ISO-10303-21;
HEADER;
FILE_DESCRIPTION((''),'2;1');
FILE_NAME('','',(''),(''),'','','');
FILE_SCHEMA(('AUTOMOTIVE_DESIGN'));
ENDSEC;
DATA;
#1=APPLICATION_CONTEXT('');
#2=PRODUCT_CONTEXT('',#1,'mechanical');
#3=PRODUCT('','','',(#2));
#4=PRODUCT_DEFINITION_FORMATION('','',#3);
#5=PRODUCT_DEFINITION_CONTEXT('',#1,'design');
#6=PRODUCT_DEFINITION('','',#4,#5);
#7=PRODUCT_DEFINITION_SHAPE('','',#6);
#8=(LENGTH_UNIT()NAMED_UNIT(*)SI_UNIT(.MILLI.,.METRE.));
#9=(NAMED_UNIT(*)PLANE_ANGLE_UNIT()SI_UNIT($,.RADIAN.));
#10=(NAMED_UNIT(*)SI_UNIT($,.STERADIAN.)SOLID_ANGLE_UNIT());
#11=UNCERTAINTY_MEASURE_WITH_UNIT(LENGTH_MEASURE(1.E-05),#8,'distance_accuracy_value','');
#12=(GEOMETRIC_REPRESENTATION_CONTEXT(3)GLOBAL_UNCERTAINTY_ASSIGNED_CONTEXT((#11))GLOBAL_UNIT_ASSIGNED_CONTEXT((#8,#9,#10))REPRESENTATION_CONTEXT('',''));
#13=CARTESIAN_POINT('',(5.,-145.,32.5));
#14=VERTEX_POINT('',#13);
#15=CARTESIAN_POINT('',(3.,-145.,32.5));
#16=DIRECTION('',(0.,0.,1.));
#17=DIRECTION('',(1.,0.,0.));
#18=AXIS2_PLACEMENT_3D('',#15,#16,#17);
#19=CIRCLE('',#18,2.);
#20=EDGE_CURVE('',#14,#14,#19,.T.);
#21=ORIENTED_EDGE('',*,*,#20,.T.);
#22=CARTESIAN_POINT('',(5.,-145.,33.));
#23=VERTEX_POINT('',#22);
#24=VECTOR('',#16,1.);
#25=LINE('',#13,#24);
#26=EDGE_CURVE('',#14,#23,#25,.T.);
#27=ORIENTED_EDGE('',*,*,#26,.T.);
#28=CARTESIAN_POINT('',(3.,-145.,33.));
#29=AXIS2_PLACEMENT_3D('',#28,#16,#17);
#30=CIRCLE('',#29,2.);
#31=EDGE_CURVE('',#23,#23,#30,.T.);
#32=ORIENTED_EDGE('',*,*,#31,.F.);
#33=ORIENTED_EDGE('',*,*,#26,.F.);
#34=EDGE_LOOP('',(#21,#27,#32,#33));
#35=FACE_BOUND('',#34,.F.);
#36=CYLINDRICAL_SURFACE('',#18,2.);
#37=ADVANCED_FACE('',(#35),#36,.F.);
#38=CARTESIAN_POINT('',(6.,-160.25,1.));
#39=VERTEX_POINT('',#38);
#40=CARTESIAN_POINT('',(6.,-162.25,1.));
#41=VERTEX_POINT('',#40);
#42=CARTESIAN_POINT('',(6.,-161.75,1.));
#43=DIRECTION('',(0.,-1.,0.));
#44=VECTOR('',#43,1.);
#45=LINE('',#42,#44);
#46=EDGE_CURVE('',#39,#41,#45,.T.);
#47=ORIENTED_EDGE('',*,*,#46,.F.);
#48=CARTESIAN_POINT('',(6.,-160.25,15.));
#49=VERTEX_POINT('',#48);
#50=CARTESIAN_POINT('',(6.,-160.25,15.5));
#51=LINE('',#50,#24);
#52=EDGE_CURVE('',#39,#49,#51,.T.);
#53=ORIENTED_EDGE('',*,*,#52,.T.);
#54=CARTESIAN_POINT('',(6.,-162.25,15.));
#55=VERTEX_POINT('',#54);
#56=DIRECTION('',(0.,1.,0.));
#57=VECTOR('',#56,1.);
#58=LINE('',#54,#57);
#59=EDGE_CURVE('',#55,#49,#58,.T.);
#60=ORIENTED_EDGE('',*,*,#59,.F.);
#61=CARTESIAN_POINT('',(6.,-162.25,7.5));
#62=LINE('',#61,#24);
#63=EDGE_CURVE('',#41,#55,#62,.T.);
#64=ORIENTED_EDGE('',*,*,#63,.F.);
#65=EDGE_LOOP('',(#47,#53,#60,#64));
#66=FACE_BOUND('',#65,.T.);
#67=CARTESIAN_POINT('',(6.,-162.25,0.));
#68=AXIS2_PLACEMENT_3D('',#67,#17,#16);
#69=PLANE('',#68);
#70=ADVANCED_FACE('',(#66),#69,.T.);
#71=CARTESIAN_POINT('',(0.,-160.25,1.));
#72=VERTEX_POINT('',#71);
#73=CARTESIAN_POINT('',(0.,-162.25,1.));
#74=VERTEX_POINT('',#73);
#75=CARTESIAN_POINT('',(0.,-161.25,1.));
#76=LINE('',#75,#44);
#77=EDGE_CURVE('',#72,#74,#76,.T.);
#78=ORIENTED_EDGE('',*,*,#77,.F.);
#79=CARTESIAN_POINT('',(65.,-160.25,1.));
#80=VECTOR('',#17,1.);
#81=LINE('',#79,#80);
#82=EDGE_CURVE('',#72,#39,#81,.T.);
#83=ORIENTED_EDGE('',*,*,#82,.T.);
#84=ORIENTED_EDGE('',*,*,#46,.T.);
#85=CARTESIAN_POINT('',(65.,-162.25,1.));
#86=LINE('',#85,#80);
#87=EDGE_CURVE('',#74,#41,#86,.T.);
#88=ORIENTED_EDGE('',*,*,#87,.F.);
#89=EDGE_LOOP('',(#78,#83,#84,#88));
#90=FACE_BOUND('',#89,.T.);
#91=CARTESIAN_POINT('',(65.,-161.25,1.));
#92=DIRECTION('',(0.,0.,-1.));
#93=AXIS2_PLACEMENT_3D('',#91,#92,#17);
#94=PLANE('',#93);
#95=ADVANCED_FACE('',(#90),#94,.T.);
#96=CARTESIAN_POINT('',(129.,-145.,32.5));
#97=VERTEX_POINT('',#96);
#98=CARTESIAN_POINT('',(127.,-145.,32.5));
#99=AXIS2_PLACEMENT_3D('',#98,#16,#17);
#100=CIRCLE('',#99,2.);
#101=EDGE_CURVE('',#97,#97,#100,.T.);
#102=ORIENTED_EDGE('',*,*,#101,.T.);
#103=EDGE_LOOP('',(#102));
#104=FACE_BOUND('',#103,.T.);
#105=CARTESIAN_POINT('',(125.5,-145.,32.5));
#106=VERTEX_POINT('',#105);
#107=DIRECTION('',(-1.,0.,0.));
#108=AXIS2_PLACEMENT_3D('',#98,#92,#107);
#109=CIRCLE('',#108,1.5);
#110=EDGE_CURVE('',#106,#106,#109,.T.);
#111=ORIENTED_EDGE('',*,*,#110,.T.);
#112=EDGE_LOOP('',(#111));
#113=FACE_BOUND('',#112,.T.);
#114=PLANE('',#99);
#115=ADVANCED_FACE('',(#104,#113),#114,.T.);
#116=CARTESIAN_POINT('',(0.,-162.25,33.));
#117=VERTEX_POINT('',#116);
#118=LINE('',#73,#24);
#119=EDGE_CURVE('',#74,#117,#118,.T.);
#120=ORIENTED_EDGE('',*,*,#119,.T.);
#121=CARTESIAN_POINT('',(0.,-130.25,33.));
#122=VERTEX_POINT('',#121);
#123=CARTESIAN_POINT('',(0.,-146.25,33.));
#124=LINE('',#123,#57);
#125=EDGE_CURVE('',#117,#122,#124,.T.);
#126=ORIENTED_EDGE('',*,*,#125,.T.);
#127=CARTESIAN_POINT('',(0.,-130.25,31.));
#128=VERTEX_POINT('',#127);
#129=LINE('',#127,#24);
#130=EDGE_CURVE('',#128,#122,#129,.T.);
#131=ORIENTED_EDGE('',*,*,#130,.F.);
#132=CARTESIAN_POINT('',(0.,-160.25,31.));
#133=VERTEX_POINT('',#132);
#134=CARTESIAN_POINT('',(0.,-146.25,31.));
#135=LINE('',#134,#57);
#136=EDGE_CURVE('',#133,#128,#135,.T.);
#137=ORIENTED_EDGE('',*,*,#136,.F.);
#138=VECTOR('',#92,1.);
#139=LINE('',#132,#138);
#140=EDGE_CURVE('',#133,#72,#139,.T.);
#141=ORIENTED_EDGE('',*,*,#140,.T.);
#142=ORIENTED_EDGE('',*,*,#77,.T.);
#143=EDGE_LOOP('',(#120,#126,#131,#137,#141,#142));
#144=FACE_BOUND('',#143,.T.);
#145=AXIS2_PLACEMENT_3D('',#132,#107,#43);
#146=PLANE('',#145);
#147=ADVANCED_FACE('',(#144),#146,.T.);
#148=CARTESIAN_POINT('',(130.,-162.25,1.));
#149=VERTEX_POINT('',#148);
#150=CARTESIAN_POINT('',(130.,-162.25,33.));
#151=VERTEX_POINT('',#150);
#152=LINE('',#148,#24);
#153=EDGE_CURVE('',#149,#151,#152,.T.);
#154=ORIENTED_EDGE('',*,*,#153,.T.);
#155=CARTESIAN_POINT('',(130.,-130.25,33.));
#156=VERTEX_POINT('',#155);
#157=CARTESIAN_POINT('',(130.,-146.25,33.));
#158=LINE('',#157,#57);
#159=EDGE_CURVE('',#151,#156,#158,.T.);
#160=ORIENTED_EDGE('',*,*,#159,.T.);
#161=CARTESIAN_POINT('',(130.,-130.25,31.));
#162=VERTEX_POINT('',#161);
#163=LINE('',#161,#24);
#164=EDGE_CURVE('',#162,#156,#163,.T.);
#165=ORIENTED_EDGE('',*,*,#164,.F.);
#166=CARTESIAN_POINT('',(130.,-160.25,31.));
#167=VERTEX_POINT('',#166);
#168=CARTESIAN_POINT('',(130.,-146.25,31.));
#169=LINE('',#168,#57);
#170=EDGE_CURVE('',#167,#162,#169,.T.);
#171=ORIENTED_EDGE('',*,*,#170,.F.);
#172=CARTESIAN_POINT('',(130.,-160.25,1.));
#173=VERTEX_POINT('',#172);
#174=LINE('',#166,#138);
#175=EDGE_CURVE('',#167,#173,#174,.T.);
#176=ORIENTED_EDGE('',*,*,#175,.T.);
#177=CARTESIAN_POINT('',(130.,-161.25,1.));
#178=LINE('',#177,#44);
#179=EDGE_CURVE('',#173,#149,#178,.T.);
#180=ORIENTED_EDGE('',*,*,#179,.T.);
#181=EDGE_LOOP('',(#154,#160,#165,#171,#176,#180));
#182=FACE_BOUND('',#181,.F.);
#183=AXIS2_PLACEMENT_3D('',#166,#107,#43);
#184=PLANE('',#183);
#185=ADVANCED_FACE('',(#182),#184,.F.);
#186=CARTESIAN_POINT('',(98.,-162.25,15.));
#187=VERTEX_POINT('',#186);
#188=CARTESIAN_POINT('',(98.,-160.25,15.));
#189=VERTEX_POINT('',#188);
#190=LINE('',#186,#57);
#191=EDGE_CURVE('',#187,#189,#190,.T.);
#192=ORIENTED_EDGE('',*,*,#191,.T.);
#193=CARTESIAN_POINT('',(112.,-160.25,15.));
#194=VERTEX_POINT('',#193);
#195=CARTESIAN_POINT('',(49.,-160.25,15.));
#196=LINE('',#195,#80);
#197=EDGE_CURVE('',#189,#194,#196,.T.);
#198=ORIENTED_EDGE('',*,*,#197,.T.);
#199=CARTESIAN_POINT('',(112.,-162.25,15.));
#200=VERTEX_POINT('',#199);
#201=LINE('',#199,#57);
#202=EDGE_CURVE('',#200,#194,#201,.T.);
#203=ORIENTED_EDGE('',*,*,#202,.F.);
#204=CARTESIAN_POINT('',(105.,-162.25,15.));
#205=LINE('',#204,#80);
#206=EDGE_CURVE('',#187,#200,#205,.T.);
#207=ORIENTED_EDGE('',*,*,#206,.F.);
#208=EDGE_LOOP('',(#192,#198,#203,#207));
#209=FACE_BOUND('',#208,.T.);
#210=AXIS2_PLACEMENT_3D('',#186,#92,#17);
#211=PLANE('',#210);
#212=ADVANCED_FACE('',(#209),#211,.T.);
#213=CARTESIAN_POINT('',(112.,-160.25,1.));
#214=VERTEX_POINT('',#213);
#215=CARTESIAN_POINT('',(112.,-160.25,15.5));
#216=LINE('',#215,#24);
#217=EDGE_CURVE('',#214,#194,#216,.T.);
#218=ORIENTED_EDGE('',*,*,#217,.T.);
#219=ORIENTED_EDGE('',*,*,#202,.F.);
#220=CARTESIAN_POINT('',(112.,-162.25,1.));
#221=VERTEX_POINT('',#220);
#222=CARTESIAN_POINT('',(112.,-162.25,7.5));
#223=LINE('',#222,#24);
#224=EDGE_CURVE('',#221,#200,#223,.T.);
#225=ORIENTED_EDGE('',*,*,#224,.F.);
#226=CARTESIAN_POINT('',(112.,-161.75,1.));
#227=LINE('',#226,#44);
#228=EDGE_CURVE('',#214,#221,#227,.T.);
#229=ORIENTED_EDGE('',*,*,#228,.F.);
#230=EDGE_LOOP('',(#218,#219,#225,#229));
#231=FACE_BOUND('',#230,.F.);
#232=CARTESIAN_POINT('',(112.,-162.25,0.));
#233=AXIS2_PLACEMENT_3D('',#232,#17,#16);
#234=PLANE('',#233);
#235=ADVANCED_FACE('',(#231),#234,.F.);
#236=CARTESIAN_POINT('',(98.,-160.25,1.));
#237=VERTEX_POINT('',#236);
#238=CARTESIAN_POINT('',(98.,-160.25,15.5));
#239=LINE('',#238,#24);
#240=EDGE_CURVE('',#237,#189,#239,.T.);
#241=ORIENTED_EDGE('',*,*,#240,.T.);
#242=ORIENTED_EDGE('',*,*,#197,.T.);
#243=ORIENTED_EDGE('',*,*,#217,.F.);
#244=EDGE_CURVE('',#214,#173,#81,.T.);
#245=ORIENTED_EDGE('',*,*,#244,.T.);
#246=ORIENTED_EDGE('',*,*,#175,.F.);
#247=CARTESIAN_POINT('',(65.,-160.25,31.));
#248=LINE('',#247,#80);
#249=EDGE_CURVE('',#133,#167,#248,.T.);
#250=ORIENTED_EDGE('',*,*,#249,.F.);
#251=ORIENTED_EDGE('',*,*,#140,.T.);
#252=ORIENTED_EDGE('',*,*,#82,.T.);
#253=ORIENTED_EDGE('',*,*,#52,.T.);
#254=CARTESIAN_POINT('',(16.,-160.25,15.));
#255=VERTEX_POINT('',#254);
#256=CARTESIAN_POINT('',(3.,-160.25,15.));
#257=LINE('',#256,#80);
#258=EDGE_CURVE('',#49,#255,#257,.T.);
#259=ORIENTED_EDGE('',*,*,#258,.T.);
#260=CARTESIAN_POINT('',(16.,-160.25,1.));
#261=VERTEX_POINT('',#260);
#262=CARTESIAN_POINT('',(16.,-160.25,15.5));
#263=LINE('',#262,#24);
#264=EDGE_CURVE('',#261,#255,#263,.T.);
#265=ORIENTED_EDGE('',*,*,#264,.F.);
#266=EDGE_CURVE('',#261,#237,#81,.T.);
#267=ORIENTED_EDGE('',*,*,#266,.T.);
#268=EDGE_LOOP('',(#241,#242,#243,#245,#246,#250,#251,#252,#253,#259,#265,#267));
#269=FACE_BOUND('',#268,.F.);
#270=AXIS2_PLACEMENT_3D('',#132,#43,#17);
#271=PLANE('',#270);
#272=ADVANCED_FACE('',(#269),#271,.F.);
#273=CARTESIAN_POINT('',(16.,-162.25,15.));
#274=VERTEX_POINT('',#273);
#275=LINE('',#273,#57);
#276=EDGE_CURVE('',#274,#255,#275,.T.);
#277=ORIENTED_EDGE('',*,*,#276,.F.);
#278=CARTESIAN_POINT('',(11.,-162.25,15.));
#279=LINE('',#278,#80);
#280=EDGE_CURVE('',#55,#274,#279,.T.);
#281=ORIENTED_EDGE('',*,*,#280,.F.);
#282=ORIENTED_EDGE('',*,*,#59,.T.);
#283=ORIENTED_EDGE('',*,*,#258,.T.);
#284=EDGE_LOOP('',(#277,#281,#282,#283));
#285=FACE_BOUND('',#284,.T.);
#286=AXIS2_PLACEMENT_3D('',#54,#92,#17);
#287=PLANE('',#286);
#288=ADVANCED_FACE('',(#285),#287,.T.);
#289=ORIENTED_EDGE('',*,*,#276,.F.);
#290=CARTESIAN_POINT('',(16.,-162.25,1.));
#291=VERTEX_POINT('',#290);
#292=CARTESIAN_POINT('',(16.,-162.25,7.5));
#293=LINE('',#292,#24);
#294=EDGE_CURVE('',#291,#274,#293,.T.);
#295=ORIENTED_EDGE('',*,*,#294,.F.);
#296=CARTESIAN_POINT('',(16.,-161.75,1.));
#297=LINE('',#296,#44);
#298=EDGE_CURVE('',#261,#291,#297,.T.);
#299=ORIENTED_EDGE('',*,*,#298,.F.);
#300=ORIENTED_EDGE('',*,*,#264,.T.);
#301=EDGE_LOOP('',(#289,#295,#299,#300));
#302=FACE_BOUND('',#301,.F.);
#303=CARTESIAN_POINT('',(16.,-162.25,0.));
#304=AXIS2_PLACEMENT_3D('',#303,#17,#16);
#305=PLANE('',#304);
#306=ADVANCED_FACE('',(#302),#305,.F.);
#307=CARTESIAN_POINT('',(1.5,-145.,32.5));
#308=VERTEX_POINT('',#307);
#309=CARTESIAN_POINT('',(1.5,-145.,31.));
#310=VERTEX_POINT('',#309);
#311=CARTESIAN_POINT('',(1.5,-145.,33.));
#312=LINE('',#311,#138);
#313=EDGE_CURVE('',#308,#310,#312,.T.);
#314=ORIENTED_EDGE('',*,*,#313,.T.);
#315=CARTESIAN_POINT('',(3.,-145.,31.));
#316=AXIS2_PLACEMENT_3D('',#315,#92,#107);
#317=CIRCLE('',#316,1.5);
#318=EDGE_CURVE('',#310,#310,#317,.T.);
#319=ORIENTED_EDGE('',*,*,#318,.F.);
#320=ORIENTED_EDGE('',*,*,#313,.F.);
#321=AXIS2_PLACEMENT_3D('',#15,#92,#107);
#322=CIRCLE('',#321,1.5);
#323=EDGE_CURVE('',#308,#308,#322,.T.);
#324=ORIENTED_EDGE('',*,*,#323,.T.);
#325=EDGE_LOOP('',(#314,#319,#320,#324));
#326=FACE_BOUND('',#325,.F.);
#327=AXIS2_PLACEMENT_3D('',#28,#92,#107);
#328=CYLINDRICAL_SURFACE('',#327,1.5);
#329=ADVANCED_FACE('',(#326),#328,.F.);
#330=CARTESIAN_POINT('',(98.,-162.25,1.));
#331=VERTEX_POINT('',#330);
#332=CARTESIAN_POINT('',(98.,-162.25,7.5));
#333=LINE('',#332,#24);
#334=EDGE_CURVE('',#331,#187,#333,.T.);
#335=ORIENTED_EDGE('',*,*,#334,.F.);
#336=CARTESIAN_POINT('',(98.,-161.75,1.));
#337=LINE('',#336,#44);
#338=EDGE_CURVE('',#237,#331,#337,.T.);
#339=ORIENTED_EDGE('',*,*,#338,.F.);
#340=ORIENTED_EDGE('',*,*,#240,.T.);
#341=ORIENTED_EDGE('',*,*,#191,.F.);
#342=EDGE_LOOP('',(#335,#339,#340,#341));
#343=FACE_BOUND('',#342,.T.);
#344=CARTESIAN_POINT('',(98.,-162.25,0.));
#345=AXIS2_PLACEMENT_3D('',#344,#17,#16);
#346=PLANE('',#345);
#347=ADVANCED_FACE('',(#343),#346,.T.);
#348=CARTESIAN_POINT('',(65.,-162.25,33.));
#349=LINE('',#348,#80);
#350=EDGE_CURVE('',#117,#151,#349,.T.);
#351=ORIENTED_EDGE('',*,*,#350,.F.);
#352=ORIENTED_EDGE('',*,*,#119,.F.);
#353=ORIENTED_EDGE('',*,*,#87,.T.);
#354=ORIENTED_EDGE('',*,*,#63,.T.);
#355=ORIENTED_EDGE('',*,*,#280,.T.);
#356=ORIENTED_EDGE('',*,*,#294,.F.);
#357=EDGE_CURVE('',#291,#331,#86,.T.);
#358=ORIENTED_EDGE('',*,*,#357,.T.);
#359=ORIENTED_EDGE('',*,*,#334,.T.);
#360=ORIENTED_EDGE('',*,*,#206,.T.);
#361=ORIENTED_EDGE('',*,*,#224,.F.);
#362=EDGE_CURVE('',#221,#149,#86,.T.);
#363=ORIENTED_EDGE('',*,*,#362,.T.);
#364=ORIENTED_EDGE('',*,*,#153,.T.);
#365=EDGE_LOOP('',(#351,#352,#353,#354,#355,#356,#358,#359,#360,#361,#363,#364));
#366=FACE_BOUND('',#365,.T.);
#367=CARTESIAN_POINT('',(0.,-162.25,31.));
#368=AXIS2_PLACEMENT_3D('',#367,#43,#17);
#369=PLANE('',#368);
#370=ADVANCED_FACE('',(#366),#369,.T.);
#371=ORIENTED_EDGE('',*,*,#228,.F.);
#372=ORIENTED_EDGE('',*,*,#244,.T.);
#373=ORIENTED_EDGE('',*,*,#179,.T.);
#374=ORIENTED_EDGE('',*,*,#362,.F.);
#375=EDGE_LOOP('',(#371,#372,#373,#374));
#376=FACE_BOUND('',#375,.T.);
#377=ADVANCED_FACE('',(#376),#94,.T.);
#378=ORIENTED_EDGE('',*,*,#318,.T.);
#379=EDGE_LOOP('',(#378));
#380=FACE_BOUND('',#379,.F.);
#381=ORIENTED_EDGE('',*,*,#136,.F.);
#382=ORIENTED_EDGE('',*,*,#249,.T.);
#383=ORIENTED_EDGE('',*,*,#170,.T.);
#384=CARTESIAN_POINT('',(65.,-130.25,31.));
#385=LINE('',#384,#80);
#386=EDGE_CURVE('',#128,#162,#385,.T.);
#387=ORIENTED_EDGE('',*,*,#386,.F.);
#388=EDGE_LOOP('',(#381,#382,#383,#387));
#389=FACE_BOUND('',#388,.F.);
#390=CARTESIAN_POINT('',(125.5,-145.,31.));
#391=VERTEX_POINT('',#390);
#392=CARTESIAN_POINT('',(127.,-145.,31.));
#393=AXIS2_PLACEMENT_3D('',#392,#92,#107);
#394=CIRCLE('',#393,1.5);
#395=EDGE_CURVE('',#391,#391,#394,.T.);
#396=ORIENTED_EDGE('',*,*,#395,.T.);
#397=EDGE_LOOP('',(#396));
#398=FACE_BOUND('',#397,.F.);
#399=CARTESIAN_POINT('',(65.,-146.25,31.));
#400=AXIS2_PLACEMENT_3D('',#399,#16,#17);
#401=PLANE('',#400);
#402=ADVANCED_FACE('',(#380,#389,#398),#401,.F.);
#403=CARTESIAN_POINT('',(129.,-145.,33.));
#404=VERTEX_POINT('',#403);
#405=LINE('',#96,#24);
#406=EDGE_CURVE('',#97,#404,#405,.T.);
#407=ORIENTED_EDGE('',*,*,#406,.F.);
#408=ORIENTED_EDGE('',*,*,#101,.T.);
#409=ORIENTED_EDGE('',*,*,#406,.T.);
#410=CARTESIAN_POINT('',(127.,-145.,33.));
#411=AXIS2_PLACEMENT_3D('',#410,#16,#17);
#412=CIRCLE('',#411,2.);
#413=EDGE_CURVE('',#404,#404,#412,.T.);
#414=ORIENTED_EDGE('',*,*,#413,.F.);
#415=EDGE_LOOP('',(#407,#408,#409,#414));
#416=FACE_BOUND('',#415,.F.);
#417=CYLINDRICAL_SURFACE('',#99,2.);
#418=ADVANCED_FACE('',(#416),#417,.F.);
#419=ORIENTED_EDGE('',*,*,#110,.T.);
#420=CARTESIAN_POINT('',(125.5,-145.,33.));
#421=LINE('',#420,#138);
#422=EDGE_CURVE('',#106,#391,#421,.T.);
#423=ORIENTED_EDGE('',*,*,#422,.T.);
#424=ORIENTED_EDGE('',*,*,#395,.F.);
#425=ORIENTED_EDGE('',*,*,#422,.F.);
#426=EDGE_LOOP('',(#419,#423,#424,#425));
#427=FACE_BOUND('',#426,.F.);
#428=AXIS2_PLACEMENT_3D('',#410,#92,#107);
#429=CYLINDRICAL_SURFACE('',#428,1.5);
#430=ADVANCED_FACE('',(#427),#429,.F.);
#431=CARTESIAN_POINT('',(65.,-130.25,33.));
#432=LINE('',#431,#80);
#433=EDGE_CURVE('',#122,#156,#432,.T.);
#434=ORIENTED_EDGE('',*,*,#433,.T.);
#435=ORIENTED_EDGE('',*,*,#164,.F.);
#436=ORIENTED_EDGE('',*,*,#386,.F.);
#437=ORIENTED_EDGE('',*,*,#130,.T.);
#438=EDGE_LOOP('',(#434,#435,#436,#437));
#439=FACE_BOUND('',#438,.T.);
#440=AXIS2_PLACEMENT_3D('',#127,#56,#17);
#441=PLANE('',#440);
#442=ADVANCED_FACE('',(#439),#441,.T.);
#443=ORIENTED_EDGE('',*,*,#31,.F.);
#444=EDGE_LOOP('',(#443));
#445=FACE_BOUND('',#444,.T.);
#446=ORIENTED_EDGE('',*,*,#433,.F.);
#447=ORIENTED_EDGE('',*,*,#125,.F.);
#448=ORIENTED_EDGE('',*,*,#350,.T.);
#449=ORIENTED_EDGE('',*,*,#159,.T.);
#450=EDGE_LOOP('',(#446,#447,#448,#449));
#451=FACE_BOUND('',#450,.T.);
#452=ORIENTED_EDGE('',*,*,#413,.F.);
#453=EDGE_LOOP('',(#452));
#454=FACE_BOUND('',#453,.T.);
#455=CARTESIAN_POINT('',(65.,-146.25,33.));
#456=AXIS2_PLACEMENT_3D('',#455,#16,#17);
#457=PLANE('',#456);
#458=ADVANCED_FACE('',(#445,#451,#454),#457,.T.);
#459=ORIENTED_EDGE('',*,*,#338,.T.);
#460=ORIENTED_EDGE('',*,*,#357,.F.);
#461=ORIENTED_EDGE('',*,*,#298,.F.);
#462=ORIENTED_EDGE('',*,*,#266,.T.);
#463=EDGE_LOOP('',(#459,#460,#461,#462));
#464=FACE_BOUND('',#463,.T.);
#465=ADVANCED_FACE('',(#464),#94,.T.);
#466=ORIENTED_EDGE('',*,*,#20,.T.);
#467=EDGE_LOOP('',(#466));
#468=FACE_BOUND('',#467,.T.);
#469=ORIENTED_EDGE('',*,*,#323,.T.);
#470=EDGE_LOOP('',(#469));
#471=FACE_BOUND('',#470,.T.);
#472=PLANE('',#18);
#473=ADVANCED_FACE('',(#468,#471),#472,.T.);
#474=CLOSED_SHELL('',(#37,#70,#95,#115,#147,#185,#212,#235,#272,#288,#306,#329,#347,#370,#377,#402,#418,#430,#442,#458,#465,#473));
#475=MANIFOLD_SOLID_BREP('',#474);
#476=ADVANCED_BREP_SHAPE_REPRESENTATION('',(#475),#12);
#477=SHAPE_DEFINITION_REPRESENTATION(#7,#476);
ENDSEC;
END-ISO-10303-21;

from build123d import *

# Parameters (mm, degrees)
SKETCH021_W         = 130
SKETCH021_H         = 32
PAD009_DEPTH        = 2
HOLE005_D           = 3
HOLE005_DEPTH       = 25
HOLE005_CBORE_D     = 4
HOLE005_CBORE_DEPTH = 0.5
SKETCH023_W         = 130
SKETCH023_H         = 2
PAD010_DEPTH        = 30
SKETCH024_W         = 10
SKETCH024_H         = 15
SKETCH024_W_2       = 14
POCKET004_DEPTH     = 5


with BuildPart() as part:
    # Sketch021 → Pad009 (new body)
    with BuildSketch(Plane.XY.offset(31)):
        with Locations((65, -146.25)):
            Rectangle(SKETCH021_W, SKETCH021_H)
    extrude(amount=PAD009_DEPTH)

    # Hole005
    with Locations(Plane.XY.offset(33)):
        with Locations((3, -145), (127, -145)):
            CounterBoreHole(HOLE005_D / 2, HOLE005_CBORE_D / 2, HOLE005_CBORE_DEPTH, depth=HOLE005_DEPTH)

    # Sketch023 (on Face4 of Hole005) → Pad010 (join)
    with BuildSketch(Plane(origin=(0, 0, 31), x_dir=(1, 0, 0), z_dir=(0, 0, -1))):
        with Locations((65, 161.25)):
            Rectangle(SKETCH023_W, SKETCH023_H)
    extrude(amount=PAD010_DEPTH)

    # Sketch024 (on Face14 of Pad010) → Pocket004 (cut)
    with BuildSketch(Plane.XZ.offset(162.25)):
        with Locations((11, 7.5)):
            Rectangle(SKETCH024_W, SKETCH024_H)
        with Locations((105, 7.5)):
            Rectangle(SKETCH024_W_2, SKETCH024_H)
    extrude(amount=-POCKET004_DEPTH, mode=Mode.SUBTRACT)


solid = part.part
